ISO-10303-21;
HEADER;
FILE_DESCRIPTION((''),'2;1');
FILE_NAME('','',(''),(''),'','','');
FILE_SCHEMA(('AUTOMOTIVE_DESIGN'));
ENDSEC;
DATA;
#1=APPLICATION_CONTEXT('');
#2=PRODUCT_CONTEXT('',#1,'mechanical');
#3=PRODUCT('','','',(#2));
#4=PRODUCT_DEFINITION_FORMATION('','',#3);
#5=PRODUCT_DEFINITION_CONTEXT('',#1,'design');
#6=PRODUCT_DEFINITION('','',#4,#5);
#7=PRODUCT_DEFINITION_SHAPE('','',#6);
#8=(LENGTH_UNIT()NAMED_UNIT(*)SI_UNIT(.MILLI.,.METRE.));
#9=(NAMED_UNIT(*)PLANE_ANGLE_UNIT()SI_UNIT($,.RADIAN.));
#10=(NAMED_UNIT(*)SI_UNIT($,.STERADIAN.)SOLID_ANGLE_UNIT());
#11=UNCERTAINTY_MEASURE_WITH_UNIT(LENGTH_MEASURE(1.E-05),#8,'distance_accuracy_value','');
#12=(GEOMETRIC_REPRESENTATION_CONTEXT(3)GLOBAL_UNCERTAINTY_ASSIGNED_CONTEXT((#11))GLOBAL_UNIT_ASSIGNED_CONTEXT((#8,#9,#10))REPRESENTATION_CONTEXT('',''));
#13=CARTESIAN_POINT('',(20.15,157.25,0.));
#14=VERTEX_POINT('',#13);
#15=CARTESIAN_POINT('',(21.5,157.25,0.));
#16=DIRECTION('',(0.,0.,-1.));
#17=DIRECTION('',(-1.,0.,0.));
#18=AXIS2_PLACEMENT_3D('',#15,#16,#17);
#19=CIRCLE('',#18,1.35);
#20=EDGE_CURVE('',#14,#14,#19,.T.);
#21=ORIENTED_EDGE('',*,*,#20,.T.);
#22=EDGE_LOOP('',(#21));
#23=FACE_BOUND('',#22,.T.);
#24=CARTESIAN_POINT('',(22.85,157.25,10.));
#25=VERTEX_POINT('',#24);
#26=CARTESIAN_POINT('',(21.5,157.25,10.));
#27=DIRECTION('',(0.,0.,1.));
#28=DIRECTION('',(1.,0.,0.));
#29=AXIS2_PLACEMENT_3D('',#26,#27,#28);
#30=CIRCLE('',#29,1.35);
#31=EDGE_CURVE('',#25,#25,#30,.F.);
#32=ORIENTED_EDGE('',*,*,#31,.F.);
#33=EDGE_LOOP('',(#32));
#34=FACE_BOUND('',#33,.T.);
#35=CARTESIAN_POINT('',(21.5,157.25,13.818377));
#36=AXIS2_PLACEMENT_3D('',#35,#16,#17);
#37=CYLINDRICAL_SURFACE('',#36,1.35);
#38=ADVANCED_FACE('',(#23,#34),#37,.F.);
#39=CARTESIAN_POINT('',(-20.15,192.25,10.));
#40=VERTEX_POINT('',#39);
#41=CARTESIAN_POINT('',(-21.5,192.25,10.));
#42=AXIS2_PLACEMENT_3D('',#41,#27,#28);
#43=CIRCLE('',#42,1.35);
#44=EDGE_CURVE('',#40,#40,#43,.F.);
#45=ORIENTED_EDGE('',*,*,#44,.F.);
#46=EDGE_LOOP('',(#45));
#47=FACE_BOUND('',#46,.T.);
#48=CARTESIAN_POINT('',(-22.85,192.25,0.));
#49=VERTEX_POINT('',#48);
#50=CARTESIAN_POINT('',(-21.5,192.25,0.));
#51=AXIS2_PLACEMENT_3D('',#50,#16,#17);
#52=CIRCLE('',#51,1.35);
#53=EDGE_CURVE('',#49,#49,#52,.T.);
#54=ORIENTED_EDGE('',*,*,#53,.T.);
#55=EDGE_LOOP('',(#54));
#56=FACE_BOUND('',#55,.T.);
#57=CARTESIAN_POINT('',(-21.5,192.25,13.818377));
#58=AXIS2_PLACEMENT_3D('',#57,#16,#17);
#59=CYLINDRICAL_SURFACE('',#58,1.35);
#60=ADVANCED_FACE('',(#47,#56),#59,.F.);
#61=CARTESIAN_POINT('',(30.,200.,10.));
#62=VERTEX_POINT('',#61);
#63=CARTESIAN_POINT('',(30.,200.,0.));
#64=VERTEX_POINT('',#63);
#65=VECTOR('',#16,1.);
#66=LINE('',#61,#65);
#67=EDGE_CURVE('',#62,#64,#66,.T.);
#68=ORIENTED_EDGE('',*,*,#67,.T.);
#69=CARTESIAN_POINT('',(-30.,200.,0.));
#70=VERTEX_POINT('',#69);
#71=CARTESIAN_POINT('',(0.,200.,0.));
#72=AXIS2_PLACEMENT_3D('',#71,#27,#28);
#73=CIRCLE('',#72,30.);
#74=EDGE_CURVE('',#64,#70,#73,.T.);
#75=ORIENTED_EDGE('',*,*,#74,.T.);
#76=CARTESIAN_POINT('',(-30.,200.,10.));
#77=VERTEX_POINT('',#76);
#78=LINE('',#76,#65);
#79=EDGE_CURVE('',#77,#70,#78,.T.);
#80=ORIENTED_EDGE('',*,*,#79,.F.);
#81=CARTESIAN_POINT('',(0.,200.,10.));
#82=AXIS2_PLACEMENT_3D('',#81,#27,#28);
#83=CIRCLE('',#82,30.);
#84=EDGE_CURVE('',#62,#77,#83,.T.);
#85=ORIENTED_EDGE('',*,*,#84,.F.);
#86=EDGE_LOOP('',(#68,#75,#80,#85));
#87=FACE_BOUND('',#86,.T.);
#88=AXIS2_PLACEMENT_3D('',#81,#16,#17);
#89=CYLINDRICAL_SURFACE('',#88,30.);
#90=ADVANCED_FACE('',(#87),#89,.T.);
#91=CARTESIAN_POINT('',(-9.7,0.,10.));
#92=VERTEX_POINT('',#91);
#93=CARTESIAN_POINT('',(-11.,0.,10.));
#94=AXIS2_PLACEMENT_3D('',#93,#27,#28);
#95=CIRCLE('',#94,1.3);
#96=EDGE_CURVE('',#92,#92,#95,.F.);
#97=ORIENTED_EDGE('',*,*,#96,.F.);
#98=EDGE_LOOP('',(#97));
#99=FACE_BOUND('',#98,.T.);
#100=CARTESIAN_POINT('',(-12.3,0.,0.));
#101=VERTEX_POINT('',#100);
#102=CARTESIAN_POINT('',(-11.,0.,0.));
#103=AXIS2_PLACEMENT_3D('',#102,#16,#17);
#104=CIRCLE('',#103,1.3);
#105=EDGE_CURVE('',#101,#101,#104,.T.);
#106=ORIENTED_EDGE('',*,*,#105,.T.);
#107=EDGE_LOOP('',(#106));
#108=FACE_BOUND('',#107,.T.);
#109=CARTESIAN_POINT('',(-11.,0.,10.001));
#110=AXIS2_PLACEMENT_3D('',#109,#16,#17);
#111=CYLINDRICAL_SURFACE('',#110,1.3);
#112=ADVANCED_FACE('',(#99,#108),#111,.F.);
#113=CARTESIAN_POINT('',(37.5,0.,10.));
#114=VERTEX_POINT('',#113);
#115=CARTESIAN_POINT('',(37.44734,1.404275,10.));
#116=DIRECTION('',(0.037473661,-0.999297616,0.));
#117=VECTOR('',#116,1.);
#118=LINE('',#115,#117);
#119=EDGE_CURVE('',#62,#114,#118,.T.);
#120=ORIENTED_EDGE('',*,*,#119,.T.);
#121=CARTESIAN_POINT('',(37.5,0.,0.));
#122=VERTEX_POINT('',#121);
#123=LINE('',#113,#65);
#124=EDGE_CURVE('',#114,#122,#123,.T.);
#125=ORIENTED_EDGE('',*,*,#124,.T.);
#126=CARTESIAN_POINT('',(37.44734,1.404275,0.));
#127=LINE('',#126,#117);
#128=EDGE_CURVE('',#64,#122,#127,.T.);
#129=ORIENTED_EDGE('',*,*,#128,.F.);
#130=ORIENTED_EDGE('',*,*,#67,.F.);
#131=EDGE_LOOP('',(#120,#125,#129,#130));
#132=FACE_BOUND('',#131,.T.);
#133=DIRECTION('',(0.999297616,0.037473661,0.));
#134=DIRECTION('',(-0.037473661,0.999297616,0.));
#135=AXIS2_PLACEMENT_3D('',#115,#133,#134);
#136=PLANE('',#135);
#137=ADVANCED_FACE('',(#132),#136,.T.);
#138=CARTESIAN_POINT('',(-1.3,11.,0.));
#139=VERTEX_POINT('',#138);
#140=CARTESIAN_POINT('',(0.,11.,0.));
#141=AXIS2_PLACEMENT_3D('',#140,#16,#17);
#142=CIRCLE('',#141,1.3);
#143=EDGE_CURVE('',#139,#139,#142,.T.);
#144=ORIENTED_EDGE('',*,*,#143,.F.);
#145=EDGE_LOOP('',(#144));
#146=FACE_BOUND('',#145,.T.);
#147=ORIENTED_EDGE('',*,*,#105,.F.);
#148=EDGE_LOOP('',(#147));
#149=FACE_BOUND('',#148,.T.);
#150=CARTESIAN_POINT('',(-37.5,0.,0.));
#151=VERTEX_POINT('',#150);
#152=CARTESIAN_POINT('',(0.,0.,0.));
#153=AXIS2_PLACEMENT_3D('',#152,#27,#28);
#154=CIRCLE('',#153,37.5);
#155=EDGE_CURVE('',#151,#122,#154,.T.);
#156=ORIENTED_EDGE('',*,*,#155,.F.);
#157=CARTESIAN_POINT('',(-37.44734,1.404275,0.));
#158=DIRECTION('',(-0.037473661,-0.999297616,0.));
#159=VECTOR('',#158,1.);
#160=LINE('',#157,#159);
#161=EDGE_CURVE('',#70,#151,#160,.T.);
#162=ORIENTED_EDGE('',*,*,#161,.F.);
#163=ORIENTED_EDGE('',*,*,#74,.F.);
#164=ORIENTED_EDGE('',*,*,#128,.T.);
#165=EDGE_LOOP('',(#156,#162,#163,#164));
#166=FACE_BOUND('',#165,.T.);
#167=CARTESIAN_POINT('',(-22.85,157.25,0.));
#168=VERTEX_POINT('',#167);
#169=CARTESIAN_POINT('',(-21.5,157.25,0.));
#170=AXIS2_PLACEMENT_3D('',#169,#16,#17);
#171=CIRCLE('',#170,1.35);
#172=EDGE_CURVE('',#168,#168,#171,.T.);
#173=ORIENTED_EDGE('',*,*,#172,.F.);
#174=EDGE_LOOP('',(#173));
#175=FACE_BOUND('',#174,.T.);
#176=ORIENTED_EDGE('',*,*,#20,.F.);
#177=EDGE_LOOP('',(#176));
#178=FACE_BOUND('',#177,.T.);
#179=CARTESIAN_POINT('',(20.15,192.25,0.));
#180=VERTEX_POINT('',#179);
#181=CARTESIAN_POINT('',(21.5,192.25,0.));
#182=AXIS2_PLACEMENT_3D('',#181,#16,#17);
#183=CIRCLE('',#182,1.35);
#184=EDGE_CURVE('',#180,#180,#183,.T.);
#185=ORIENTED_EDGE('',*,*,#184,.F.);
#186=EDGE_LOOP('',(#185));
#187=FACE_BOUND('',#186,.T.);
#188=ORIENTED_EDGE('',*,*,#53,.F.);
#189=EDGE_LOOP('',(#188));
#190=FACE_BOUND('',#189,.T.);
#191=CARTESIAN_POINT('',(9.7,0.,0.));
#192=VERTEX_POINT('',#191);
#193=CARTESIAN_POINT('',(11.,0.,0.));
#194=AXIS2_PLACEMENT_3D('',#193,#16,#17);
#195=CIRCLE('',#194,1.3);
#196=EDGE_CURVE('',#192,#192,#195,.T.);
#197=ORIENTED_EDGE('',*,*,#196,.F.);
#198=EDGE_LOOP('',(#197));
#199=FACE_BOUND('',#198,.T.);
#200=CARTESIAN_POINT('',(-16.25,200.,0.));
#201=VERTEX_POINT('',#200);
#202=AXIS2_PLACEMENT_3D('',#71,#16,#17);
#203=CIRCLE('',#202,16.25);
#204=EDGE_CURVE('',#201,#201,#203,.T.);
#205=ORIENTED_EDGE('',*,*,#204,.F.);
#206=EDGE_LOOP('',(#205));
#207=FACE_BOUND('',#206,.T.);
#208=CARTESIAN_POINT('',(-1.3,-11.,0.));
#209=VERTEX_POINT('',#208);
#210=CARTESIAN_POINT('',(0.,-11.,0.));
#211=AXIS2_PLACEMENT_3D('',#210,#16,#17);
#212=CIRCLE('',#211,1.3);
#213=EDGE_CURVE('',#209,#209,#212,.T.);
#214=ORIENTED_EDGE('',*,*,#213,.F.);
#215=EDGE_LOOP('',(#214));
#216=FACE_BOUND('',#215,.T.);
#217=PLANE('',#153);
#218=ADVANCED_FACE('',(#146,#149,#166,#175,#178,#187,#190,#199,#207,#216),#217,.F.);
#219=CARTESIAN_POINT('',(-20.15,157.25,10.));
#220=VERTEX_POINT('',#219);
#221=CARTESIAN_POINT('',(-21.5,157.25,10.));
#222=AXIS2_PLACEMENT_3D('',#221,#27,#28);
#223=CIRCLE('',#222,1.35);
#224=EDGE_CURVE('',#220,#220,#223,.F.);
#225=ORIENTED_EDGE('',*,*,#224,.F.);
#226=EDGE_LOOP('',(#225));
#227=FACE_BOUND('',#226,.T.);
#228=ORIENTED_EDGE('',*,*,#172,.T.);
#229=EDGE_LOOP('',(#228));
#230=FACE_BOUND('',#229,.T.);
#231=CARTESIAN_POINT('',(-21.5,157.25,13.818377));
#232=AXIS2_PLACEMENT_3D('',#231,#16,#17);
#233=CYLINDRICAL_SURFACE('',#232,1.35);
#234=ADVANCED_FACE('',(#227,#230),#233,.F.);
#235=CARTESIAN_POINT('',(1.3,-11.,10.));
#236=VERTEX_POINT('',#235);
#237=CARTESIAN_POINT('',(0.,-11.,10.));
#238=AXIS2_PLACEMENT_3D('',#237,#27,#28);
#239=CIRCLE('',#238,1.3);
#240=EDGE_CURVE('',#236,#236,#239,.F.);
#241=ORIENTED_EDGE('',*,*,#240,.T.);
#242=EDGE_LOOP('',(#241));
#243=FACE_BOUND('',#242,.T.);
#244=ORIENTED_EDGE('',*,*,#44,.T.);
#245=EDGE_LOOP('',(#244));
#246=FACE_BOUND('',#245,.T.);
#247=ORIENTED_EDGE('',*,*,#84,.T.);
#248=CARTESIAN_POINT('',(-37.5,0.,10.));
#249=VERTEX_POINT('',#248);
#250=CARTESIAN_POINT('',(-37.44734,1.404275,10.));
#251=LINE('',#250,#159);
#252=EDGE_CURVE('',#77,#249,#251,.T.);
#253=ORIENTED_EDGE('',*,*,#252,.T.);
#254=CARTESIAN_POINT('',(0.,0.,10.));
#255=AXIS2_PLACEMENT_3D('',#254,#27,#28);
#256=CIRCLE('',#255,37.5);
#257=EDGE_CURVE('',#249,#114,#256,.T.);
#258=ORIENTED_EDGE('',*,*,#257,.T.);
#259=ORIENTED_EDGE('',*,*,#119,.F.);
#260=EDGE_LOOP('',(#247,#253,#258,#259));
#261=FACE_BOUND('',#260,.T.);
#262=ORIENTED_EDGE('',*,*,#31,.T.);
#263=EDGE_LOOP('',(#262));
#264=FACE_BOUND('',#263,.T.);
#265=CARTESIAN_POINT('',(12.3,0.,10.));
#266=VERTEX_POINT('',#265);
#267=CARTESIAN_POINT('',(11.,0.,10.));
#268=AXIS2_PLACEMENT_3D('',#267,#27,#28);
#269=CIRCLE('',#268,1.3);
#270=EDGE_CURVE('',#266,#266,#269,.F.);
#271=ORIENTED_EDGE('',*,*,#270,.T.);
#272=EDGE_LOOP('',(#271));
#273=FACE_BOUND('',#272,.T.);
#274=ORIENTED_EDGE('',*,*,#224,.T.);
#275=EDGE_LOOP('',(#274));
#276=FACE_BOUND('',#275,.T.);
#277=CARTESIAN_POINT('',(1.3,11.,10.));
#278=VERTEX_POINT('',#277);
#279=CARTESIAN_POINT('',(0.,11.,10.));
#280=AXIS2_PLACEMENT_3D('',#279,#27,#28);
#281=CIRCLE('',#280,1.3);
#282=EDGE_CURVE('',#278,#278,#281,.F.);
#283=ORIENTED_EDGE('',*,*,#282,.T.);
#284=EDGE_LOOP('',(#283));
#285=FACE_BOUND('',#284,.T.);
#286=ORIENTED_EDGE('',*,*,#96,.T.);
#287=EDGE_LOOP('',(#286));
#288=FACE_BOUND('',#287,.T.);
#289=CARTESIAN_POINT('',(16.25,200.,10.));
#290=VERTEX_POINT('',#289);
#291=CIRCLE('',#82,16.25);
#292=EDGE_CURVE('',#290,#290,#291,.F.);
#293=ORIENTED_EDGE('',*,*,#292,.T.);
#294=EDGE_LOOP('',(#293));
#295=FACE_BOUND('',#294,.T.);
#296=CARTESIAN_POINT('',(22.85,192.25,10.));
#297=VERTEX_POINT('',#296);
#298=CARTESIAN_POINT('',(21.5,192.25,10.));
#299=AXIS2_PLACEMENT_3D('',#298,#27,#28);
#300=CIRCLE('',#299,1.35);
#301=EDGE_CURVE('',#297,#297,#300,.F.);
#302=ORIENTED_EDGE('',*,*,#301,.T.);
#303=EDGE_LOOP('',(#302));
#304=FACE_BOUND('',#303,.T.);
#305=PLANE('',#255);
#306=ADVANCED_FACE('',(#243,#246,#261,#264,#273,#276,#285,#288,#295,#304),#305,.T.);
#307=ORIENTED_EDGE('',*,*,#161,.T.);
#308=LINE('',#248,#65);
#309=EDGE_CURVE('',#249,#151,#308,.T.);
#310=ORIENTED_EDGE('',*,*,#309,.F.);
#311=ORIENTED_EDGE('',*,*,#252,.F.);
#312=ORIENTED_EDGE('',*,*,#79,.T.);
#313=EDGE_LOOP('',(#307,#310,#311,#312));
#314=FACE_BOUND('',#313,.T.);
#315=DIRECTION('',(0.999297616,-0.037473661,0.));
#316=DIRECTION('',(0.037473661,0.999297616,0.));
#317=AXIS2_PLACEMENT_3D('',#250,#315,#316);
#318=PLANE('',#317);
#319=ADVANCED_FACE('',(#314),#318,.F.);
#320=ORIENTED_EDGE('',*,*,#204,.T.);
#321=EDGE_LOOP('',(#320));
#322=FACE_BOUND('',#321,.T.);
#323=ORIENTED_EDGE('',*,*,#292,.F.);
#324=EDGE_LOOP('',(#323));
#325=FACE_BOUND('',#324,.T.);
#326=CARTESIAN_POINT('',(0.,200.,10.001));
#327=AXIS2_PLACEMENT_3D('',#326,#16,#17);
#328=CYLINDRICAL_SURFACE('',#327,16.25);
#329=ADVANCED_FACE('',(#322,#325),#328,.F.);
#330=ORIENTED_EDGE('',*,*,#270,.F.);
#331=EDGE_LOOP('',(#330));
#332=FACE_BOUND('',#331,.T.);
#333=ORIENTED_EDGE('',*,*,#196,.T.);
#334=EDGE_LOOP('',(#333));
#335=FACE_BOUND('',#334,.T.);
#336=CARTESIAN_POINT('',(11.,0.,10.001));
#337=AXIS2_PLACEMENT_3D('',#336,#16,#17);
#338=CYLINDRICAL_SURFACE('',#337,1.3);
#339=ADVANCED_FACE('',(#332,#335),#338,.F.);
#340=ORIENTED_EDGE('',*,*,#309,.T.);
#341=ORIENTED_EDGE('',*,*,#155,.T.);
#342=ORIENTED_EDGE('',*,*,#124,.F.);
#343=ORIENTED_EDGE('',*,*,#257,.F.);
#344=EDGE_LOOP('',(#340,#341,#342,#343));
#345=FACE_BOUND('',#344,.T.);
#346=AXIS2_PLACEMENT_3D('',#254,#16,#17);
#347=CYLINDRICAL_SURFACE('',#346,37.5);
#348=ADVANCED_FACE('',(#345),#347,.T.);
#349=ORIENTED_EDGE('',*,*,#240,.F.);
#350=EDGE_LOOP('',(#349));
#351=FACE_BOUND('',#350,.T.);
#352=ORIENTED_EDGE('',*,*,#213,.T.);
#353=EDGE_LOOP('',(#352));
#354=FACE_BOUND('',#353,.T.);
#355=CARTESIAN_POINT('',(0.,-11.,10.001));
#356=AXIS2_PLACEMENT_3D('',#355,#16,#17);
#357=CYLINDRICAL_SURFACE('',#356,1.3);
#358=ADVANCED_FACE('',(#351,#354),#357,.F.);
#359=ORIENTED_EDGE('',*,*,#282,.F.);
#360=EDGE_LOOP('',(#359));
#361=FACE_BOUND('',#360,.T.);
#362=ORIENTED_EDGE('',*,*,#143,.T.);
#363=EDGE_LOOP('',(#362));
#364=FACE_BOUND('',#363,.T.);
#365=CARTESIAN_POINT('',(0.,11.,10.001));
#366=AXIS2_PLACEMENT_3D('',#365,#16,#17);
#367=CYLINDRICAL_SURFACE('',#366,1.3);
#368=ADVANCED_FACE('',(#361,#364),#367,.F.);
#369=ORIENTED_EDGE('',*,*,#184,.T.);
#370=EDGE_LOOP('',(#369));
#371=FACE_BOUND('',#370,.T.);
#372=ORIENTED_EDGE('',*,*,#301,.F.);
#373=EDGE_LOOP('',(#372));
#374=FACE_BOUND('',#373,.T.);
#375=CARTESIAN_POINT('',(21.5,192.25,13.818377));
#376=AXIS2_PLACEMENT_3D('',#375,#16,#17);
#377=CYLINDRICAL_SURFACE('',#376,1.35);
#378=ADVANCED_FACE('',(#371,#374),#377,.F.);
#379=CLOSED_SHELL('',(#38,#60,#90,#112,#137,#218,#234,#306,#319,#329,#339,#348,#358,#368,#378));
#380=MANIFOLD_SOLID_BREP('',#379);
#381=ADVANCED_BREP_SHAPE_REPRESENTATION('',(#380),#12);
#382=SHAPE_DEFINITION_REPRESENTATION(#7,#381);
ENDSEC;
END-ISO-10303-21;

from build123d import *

# Parameters (mm, degrees)
BOSS_EXTRUDE1_DEPTH = 10
CUT_EXTRUDE4_REACH  = 12
SKETCH3_R           = 16.25
CUT_EXTRUDE5_REACH  = 12
SKETCH4_R           = 1.3
SKETCH5_R           = 1.35
CUT_EXTRUDE6_DEPTH  = 10


with BuildPart() as part:
    # Sketch1 → Boss-Extrude1 (new body)
    with BuildSketch(Plane.XY):
        with BuildLine():
            ThreePointArc((30, 200), (0, 230), (-30, 200))
            Line((-30, 200), (-37.5, 0))
            ThreePointArc((-37.5, 0), (0, -37.5), (37.5, 0))
            Line((37.5, 0), (30, 200))
        make_face()
    extrude(amount=BOSS_EXTRUDE1_DEPTH)

    # Sketch3 → Cut-Extrude4 (cut, up to next)
    with BuildSketch(Plane(origin=(0, 0, 0), x_dir=(-1, 0, 0), z_dir=(0, 0, -1)), mode=Mode.PRIVATE) as cut_extrude4_sk1:
        with Locations((0, 200)):
            Circle(SKETCH3_R)
    cut_extrude4_tool1 = extrude(cut_extrude4_sk1.sketch, amount=-CUT_EXTRUDE4_REACH, mode=Mode.PRIVATE) & part.part
    add(cut_extrude4_tool1.solids().sort_by_distance((0, 200, 0))[0], mode=Mode.SUBTRACT)

    # Sketch4 → Cut-Extrude5 (cut, up to next)
    with BuildSketch(Plane(origin=(0, 0, 0), x_dir=(-1, 0, 0), z_dir=(0, 0, -1)), mode=Mode.PRIVATE) as cut_extrude5_sk1:
        with Locations((0, 11)):
            Circle(SKETCH4_R)
    cut_extrude5_tool1 = extrude(cut_extrude5_sk1.sketch, amount=-CUT_EXTRUDE5_REACH, mode=Mode.PRIVATE) & part.part
    add(cut_extrude5_tool1.solids().sort_by_distance((0, 11, 0))[0], mode=Mode.SUBTRACT)
    # Sketch4 → Cut-Extrude5 (cut, up to next)
    with BuildSketch(Plane(origin=(0, 0, 0), x_dir=(-1, 0, 0), z_dir=(0, 0, -1)), mode=Mode.PRIVATE) as cut_extrude5_sk2:
        with Locations((11, 0)):
            Circle(SKETCH4_R)
    cut_extrude5_tool2 = extrude(cut_extrude5_sk2.sketch, amount=-CUT_EXTRUDE5_REACH, mode=Mode.PRIVATE) & part.part
    add(cut_extrude5_tool2.solids().sort_by_distance((-11, 0, 0))[0], mode=Mode.SUBTRACT)
    # Sketch4 → Cut-Extrude5 (cut, up to next)
    with BuildSketch(Plane(origin=(0, 0, 0), x_dir=(-1, 0, 0), z_dir=(0, 0, -1)), mode=Mode.PRIVATE) as cut_extrude5_sk3:
        with Locations((0, -11)):
            Circle(SKETCH4_R)
    cut_extrude5_tool3 = extrude(cut_extrude5_sk3.sketch, amount=-CUT_EXTRUDE5_REACH, mode=Mode.PRIVATE) & part.part
    add(cut_extrude5_tool3.solids().sort_by_distance((0, -11, 0))[0], mode=Mode.SUBTRACT)
    # Sketch4 → Cut-Extrude5 (cut, up to next)
    with BuildSketch(Plane(origin=(0, 0, 0), x_dir=(-1, 0, 0), z_dir=(0, 0, -1)), mode=Mode.PRIVATE) as cut_extrude5_sk4:
        with Locations((-11, 0)):
            Circle(SKETCH4_R)
    cut_extrude5_tool4 = extrude(cut_extrude5_sk4.sketch, amount=-CUT_EXTRUDE5_REACH, mode=Mode.PRIVATE) & part.part
    add(cut_extrude5_tool4.solids().sort_by_distance((11, 0, 0))[0], mode=Mode.SUBTRACT)

    # Sketch5 → Cut-Extrude6 (cut)
    with BuildSketch(Plane(origin=(0, 0, 0), x_dir=(-1, 0, 0), z_dir=(0, 0, -1))):
        with Locations((21.5, 157.25)):
            Circle(SKETCH5_R)
        with Locations((-21.5, 157.25)):
            Circle(SKETCH5_R)
        with Locations((-21.5, 192.25)):
            Circle(SKETCH5_R)
        with Locations((21.5, 192.25)):
            Circle(SKETCH5_R)
    extrude(amount=-CUT_EXTRUDE6_DEPTH, mode=Mode.SUBTRACT)


solid = part.part
